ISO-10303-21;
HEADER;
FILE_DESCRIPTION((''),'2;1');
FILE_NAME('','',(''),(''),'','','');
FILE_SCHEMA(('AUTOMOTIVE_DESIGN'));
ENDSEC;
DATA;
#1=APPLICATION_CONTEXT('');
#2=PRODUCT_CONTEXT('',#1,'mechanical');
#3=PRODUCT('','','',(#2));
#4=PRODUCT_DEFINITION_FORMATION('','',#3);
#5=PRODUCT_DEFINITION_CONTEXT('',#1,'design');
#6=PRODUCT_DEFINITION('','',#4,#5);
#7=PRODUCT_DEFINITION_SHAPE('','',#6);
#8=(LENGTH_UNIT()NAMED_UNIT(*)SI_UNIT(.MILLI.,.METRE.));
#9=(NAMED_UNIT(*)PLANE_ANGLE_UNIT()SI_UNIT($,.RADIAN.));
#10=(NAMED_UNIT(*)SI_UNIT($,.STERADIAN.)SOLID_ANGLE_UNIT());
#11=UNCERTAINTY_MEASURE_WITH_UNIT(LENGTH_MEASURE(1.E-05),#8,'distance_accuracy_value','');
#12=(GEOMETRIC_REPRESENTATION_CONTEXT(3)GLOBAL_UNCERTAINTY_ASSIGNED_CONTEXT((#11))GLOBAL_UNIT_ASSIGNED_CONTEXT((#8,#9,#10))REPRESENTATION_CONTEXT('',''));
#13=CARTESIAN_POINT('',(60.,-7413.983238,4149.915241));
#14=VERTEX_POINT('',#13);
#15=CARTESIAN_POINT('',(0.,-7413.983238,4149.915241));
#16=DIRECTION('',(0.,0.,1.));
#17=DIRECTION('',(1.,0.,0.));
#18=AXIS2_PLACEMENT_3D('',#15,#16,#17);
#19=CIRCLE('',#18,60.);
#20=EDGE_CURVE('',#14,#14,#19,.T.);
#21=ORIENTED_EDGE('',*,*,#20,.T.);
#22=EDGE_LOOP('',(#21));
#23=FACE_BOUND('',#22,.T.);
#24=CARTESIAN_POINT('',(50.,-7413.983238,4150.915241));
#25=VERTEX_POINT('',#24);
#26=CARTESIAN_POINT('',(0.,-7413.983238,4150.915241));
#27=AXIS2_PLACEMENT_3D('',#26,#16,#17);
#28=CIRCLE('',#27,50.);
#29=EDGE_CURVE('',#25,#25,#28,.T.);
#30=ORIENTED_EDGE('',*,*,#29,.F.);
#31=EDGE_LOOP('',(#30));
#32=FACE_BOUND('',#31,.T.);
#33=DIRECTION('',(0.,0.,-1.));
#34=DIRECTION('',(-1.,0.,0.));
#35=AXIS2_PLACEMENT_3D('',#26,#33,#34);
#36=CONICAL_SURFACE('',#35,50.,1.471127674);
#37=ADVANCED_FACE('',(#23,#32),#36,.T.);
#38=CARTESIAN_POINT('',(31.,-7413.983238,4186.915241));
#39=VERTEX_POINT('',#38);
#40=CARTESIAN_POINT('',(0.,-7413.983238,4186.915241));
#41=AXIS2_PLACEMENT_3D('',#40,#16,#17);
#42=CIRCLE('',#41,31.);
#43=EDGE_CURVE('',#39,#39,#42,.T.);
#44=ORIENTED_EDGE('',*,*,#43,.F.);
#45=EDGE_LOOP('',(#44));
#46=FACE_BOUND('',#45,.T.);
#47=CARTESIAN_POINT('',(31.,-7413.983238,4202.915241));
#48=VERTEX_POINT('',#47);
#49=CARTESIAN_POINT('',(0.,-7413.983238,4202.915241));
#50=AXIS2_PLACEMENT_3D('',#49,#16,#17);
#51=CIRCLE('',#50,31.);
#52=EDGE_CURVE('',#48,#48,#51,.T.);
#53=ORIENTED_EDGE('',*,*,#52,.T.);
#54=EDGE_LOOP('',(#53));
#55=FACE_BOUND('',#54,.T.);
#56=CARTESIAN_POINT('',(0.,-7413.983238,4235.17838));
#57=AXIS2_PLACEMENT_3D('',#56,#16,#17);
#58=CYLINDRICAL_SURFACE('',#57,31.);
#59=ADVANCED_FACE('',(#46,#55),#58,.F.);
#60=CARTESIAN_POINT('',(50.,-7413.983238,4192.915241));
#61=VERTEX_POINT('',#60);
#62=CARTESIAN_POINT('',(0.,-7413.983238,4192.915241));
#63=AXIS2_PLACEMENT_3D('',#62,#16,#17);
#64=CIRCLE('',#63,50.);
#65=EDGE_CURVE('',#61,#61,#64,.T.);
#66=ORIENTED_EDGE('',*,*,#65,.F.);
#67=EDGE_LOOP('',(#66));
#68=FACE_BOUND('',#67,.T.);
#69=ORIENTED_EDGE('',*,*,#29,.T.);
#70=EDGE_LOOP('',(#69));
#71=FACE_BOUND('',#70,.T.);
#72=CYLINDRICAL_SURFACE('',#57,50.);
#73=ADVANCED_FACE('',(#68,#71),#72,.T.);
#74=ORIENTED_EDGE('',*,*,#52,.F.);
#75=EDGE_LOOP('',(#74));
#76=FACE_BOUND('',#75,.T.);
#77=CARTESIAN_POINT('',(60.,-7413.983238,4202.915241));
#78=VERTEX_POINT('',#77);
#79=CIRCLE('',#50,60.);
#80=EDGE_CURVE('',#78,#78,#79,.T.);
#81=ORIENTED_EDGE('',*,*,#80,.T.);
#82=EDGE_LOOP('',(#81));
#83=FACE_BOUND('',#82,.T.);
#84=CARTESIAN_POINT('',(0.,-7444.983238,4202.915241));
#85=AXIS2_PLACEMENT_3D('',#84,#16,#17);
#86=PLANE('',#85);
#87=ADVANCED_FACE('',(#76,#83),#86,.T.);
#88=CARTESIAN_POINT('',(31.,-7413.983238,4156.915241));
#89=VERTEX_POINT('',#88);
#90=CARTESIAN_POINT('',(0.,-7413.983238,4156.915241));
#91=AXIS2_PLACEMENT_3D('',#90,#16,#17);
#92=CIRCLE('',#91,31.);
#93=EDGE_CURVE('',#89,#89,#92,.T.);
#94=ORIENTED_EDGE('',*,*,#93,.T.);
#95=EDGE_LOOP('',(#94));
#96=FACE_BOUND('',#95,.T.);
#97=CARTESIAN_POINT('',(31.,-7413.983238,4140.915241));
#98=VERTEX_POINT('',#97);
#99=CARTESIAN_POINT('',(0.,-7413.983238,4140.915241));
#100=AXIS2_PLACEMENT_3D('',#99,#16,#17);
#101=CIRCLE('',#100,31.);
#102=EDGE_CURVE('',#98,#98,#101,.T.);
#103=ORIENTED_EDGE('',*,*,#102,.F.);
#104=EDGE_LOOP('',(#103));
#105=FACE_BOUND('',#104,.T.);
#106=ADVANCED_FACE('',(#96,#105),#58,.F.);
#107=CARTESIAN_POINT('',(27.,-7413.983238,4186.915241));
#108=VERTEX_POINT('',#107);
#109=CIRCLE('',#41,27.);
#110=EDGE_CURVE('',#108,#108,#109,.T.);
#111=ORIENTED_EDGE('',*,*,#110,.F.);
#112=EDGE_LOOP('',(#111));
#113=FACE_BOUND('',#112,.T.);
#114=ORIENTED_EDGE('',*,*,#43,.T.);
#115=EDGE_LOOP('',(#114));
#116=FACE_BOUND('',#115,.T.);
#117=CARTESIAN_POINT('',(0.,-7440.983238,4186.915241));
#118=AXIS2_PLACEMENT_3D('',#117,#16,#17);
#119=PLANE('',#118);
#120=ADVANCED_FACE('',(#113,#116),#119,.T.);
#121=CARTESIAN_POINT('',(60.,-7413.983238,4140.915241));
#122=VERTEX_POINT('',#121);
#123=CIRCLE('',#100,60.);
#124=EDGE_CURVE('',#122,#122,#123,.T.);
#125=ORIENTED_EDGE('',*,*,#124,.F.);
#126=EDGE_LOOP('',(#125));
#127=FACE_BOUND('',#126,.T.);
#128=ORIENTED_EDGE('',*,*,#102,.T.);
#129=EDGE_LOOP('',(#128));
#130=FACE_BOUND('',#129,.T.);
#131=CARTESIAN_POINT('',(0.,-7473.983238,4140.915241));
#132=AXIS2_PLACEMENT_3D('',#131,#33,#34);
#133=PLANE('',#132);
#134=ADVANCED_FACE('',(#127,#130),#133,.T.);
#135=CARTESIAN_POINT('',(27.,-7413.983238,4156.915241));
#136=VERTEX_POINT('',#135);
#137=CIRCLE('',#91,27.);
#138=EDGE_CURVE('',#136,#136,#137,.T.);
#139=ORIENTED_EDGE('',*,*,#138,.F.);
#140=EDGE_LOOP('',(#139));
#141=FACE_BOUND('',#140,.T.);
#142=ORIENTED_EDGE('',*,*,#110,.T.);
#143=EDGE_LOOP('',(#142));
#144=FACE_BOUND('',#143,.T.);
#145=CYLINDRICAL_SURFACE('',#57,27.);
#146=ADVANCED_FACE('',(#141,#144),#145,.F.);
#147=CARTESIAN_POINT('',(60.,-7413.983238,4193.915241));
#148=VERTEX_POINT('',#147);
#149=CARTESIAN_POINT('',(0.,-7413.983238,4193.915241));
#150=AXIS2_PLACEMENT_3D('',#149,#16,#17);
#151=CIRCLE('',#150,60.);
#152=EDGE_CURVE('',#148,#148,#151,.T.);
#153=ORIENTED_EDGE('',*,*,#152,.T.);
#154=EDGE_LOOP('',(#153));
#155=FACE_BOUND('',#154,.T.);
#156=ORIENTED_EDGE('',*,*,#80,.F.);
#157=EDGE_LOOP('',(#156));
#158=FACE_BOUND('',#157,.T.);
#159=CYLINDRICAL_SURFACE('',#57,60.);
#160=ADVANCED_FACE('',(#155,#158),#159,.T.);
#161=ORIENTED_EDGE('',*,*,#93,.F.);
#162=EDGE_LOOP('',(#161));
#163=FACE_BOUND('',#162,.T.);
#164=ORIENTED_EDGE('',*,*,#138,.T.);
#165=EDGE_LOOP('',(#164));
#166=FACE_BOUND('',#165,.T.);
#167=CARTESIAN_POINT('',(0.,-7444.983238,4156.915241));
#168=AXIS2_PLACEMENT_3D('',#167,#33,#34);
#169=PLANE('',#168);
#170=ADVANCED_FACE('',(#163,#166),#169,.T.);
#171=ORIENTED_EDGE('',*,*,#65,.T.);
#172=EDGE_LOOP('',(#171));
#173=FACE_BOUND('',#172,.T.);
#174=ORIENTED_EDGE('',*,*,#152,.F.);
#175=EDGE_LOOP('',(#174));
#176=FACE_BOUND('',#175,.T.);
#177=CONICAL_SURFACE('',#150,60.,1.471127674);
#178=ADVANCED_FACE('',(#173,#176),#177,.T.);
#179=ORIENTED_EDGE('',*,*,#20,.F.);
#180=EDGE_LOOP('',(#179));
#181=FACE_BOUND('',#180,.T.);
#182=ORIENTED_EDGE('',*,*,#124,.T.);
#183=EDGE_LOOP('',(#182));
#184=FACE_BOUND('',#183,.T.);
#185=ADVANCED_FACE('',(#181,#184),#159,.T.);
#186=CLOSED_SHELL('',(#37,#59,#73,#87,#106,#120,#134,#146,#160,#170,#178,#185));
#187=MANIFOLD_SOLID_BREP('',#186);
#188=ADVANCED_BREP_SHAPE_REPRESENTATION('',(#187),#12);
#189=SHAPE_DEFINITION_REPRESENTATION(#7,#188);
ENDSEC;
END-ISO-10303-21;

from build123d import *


with BuildPart() as part:
    # 草图2 → 旋转2 (revolve)
    with BuildSketch(Plane(origin=(0, 0, 0), x_dir=(0, 0, -1), z_dir=(1, 0, 0))):
        Polygon((-4202.915240979, -7473.983238222), (-4193.915240979, -7473.983238222), (-4192.915240979, -7463.983238222), (-4150.915240979, -7463.983238222), (-4149.915240979, -7473.983238222), (-4140.915240979, -7473.983238222), (-4140.915240979, -7444.983238222), (-4156.915240979, -7444.983238222), (-4156.915240979, -7440.983238222), (-4186.915240979, -7440.983238222), (-4186.915240979, -7444.983238222), (-4202.915240979, -7444.983238222), align=None)
    revolve(axis=Axis((0, -7413.983238222, 4235.178380328), (0, 0, -1)))


solid = part.part
